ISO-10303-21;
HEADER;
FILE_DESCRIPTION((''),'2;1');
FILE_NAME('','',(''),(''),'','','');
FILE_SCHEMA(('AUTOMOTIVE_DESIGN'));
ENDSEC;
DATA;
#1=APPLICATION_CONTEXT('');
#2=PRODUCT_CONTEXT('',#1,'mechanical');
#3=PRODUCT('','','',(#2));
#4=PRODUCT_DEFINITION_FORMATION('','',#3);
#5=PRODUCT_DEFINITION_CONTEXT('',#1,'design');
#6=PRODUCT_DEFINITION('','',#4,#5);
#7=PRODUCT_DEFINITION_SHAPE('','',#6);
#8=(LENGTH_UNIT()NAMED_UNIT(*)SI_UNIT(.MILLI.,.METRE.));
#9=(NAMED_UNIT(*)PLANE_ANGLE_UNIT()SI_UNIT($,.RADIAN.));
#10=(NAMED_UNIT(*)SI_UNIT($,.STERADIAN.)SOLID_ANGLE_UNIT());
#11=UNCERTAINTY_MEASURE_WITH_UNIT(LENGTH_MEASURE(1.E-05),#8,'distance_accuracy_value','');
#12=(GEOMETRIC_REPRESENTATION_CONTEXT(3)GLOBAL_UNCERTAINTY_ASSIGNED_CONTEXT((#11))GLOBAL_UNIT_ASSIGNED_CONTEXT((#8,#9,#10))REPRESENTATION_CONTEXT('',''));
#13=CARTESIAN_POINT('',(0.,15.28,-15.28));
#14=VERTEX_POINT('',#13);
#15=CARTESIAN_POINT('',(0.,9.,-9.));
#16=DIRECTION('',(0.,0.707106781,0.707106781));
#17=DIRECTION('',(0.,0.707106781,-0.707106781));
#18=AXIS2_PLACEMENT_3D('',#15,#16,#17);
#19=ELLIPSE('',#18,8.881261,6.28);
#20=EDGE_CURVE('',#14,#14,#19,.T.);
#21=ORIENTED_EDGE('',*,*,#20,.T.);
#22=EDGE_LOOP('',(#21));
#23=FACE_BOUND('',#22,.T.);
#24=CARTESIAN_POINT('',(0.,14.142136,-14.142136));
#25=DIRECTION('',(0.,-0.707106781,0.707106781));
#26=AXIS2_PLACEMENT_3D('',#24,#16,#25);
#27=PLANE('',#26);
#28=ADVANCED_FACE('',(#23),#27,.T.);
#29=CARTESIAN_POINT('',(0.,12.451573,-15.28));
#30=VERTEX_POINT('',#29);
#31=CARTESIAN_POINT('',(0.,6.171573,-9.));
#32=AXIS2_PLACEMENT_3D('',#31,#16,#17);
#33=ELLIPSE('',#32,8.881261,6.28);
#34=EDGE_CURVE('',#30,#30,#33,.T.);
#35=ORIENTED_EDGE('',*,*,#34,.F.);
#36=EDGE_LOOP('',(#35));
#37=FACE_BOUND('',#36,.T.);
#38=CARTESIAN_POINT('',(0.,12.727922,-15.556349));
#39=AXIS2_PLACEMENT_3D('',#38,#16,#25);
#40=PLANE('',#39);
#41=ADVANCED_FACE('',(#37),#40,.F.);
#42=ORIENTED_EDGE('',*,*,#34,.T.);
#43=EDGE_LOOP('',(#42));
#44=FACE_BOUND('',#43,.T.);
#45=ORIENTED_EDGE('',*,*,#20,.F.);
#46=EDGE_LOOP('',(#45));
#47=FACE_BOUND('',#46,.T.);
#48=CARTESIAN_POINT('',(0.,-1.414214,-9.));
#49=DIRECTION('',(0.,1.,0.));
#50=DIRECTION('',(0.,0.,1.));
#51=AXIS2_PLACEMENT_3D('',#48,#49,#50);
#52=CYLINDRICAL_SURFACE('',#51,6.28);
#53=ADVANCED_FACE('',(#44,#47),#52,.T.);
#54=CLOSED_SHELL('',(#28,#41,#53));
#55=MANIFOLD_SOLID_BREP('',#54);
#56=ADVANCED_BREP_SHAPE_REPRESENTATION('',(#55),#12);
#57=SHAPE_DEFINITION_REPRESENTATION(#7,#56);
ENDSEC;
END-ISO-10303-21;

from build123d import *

# Parameters (mm, degrees)
SKETCH2_R               = 20
BOSS_EXTRUDE1_DEPTH     = 2
CUT_EXTRUDE2_DEPTH      = 46.628938186
CUT_EXTRUDE2_DEPTH_BACK = 46.628938186
SKETCH6_R               = 25.059608459
SKETCH6_R_2             = 6.28
SKETCH3_R               = 7.4
SKETCH3_R_2             = 5.9
BOSS_EXTRUDE2_DEPTH     = 1
SKETCH7_R               = 13.022061682
CUT_EXTRUDE3_DEPTH      = 1


with BuildPart() as part:
    # Sketch2 → Boss-Extrude1 (new body)
    with BuildSketch(Plane(origin=(0, 0, 0), x_dir=(1, 0, 0), z_dir=(0, 0.7071067811865464, 0.7071067811865488))):
        with Locations(Location((0, 20, 0), (0, 0, 270))):
            Circle(SKETCH2_R)
    extrude(amount=-BOSS_EXTRUDE1_DEPTH)

    # Sketch6 → Cut-Extrude2 (cut, two sides: drawn at the far end of the back side and taken through both)
    with BuildSketch(Plane(origin=(0, 0, 0), x_dir=(1, 0, 0), z_dir=(0, 1, 0)).offset(-CUT_EXTRUDE2_DEPTH_BACK)):
        with Locations((0, 9)):
            Circle(SKETCH6_R)
        with Locations(Location((0, 9, 0), (0, 0, 90))):
            Circle(SKETCH6_R_2, mode=Mode.SUBTRACT)
    extrude(amount=CUT_EXTRUDE2_DEPTH + CUT_EXTRUDE2_DEPTH_BACK, mode=Mode.SUBTRACT)


with BuildPart() as body_2:
    # Sketch3 → Boss-Extrude2 (new body)
    with BuildSketch(Plane(origin=(0, -3.25, 0), x_dir=(1, 0, 0), z_dir=(0, 1, 0))):
        with Locations(Location((0, 7.4, 0), (0, 0, 270))):
            Circle(SKETCH3_R)
        with Locations(Location((0, 7.4, 0), (0, 0, 270))):
            Circle(SKETCH3_R_2, mode=Mode.SUBTRACT)
    extrude(amount=BOSS_EXTRUDE2_DEPTH)

    # Sketch7 → Cut-Extrude3 (cut)
    with BuildSketch(Plane.XZ.offset(3.25)):
        with Locations((0.290894274, -7.517427113)):
            Circle(SKETCH7_R)
    extrude(amount=-CUT_EXTRUDE3_DEPTH, mode=Mode.SUBTRACT)


solid = part.part
